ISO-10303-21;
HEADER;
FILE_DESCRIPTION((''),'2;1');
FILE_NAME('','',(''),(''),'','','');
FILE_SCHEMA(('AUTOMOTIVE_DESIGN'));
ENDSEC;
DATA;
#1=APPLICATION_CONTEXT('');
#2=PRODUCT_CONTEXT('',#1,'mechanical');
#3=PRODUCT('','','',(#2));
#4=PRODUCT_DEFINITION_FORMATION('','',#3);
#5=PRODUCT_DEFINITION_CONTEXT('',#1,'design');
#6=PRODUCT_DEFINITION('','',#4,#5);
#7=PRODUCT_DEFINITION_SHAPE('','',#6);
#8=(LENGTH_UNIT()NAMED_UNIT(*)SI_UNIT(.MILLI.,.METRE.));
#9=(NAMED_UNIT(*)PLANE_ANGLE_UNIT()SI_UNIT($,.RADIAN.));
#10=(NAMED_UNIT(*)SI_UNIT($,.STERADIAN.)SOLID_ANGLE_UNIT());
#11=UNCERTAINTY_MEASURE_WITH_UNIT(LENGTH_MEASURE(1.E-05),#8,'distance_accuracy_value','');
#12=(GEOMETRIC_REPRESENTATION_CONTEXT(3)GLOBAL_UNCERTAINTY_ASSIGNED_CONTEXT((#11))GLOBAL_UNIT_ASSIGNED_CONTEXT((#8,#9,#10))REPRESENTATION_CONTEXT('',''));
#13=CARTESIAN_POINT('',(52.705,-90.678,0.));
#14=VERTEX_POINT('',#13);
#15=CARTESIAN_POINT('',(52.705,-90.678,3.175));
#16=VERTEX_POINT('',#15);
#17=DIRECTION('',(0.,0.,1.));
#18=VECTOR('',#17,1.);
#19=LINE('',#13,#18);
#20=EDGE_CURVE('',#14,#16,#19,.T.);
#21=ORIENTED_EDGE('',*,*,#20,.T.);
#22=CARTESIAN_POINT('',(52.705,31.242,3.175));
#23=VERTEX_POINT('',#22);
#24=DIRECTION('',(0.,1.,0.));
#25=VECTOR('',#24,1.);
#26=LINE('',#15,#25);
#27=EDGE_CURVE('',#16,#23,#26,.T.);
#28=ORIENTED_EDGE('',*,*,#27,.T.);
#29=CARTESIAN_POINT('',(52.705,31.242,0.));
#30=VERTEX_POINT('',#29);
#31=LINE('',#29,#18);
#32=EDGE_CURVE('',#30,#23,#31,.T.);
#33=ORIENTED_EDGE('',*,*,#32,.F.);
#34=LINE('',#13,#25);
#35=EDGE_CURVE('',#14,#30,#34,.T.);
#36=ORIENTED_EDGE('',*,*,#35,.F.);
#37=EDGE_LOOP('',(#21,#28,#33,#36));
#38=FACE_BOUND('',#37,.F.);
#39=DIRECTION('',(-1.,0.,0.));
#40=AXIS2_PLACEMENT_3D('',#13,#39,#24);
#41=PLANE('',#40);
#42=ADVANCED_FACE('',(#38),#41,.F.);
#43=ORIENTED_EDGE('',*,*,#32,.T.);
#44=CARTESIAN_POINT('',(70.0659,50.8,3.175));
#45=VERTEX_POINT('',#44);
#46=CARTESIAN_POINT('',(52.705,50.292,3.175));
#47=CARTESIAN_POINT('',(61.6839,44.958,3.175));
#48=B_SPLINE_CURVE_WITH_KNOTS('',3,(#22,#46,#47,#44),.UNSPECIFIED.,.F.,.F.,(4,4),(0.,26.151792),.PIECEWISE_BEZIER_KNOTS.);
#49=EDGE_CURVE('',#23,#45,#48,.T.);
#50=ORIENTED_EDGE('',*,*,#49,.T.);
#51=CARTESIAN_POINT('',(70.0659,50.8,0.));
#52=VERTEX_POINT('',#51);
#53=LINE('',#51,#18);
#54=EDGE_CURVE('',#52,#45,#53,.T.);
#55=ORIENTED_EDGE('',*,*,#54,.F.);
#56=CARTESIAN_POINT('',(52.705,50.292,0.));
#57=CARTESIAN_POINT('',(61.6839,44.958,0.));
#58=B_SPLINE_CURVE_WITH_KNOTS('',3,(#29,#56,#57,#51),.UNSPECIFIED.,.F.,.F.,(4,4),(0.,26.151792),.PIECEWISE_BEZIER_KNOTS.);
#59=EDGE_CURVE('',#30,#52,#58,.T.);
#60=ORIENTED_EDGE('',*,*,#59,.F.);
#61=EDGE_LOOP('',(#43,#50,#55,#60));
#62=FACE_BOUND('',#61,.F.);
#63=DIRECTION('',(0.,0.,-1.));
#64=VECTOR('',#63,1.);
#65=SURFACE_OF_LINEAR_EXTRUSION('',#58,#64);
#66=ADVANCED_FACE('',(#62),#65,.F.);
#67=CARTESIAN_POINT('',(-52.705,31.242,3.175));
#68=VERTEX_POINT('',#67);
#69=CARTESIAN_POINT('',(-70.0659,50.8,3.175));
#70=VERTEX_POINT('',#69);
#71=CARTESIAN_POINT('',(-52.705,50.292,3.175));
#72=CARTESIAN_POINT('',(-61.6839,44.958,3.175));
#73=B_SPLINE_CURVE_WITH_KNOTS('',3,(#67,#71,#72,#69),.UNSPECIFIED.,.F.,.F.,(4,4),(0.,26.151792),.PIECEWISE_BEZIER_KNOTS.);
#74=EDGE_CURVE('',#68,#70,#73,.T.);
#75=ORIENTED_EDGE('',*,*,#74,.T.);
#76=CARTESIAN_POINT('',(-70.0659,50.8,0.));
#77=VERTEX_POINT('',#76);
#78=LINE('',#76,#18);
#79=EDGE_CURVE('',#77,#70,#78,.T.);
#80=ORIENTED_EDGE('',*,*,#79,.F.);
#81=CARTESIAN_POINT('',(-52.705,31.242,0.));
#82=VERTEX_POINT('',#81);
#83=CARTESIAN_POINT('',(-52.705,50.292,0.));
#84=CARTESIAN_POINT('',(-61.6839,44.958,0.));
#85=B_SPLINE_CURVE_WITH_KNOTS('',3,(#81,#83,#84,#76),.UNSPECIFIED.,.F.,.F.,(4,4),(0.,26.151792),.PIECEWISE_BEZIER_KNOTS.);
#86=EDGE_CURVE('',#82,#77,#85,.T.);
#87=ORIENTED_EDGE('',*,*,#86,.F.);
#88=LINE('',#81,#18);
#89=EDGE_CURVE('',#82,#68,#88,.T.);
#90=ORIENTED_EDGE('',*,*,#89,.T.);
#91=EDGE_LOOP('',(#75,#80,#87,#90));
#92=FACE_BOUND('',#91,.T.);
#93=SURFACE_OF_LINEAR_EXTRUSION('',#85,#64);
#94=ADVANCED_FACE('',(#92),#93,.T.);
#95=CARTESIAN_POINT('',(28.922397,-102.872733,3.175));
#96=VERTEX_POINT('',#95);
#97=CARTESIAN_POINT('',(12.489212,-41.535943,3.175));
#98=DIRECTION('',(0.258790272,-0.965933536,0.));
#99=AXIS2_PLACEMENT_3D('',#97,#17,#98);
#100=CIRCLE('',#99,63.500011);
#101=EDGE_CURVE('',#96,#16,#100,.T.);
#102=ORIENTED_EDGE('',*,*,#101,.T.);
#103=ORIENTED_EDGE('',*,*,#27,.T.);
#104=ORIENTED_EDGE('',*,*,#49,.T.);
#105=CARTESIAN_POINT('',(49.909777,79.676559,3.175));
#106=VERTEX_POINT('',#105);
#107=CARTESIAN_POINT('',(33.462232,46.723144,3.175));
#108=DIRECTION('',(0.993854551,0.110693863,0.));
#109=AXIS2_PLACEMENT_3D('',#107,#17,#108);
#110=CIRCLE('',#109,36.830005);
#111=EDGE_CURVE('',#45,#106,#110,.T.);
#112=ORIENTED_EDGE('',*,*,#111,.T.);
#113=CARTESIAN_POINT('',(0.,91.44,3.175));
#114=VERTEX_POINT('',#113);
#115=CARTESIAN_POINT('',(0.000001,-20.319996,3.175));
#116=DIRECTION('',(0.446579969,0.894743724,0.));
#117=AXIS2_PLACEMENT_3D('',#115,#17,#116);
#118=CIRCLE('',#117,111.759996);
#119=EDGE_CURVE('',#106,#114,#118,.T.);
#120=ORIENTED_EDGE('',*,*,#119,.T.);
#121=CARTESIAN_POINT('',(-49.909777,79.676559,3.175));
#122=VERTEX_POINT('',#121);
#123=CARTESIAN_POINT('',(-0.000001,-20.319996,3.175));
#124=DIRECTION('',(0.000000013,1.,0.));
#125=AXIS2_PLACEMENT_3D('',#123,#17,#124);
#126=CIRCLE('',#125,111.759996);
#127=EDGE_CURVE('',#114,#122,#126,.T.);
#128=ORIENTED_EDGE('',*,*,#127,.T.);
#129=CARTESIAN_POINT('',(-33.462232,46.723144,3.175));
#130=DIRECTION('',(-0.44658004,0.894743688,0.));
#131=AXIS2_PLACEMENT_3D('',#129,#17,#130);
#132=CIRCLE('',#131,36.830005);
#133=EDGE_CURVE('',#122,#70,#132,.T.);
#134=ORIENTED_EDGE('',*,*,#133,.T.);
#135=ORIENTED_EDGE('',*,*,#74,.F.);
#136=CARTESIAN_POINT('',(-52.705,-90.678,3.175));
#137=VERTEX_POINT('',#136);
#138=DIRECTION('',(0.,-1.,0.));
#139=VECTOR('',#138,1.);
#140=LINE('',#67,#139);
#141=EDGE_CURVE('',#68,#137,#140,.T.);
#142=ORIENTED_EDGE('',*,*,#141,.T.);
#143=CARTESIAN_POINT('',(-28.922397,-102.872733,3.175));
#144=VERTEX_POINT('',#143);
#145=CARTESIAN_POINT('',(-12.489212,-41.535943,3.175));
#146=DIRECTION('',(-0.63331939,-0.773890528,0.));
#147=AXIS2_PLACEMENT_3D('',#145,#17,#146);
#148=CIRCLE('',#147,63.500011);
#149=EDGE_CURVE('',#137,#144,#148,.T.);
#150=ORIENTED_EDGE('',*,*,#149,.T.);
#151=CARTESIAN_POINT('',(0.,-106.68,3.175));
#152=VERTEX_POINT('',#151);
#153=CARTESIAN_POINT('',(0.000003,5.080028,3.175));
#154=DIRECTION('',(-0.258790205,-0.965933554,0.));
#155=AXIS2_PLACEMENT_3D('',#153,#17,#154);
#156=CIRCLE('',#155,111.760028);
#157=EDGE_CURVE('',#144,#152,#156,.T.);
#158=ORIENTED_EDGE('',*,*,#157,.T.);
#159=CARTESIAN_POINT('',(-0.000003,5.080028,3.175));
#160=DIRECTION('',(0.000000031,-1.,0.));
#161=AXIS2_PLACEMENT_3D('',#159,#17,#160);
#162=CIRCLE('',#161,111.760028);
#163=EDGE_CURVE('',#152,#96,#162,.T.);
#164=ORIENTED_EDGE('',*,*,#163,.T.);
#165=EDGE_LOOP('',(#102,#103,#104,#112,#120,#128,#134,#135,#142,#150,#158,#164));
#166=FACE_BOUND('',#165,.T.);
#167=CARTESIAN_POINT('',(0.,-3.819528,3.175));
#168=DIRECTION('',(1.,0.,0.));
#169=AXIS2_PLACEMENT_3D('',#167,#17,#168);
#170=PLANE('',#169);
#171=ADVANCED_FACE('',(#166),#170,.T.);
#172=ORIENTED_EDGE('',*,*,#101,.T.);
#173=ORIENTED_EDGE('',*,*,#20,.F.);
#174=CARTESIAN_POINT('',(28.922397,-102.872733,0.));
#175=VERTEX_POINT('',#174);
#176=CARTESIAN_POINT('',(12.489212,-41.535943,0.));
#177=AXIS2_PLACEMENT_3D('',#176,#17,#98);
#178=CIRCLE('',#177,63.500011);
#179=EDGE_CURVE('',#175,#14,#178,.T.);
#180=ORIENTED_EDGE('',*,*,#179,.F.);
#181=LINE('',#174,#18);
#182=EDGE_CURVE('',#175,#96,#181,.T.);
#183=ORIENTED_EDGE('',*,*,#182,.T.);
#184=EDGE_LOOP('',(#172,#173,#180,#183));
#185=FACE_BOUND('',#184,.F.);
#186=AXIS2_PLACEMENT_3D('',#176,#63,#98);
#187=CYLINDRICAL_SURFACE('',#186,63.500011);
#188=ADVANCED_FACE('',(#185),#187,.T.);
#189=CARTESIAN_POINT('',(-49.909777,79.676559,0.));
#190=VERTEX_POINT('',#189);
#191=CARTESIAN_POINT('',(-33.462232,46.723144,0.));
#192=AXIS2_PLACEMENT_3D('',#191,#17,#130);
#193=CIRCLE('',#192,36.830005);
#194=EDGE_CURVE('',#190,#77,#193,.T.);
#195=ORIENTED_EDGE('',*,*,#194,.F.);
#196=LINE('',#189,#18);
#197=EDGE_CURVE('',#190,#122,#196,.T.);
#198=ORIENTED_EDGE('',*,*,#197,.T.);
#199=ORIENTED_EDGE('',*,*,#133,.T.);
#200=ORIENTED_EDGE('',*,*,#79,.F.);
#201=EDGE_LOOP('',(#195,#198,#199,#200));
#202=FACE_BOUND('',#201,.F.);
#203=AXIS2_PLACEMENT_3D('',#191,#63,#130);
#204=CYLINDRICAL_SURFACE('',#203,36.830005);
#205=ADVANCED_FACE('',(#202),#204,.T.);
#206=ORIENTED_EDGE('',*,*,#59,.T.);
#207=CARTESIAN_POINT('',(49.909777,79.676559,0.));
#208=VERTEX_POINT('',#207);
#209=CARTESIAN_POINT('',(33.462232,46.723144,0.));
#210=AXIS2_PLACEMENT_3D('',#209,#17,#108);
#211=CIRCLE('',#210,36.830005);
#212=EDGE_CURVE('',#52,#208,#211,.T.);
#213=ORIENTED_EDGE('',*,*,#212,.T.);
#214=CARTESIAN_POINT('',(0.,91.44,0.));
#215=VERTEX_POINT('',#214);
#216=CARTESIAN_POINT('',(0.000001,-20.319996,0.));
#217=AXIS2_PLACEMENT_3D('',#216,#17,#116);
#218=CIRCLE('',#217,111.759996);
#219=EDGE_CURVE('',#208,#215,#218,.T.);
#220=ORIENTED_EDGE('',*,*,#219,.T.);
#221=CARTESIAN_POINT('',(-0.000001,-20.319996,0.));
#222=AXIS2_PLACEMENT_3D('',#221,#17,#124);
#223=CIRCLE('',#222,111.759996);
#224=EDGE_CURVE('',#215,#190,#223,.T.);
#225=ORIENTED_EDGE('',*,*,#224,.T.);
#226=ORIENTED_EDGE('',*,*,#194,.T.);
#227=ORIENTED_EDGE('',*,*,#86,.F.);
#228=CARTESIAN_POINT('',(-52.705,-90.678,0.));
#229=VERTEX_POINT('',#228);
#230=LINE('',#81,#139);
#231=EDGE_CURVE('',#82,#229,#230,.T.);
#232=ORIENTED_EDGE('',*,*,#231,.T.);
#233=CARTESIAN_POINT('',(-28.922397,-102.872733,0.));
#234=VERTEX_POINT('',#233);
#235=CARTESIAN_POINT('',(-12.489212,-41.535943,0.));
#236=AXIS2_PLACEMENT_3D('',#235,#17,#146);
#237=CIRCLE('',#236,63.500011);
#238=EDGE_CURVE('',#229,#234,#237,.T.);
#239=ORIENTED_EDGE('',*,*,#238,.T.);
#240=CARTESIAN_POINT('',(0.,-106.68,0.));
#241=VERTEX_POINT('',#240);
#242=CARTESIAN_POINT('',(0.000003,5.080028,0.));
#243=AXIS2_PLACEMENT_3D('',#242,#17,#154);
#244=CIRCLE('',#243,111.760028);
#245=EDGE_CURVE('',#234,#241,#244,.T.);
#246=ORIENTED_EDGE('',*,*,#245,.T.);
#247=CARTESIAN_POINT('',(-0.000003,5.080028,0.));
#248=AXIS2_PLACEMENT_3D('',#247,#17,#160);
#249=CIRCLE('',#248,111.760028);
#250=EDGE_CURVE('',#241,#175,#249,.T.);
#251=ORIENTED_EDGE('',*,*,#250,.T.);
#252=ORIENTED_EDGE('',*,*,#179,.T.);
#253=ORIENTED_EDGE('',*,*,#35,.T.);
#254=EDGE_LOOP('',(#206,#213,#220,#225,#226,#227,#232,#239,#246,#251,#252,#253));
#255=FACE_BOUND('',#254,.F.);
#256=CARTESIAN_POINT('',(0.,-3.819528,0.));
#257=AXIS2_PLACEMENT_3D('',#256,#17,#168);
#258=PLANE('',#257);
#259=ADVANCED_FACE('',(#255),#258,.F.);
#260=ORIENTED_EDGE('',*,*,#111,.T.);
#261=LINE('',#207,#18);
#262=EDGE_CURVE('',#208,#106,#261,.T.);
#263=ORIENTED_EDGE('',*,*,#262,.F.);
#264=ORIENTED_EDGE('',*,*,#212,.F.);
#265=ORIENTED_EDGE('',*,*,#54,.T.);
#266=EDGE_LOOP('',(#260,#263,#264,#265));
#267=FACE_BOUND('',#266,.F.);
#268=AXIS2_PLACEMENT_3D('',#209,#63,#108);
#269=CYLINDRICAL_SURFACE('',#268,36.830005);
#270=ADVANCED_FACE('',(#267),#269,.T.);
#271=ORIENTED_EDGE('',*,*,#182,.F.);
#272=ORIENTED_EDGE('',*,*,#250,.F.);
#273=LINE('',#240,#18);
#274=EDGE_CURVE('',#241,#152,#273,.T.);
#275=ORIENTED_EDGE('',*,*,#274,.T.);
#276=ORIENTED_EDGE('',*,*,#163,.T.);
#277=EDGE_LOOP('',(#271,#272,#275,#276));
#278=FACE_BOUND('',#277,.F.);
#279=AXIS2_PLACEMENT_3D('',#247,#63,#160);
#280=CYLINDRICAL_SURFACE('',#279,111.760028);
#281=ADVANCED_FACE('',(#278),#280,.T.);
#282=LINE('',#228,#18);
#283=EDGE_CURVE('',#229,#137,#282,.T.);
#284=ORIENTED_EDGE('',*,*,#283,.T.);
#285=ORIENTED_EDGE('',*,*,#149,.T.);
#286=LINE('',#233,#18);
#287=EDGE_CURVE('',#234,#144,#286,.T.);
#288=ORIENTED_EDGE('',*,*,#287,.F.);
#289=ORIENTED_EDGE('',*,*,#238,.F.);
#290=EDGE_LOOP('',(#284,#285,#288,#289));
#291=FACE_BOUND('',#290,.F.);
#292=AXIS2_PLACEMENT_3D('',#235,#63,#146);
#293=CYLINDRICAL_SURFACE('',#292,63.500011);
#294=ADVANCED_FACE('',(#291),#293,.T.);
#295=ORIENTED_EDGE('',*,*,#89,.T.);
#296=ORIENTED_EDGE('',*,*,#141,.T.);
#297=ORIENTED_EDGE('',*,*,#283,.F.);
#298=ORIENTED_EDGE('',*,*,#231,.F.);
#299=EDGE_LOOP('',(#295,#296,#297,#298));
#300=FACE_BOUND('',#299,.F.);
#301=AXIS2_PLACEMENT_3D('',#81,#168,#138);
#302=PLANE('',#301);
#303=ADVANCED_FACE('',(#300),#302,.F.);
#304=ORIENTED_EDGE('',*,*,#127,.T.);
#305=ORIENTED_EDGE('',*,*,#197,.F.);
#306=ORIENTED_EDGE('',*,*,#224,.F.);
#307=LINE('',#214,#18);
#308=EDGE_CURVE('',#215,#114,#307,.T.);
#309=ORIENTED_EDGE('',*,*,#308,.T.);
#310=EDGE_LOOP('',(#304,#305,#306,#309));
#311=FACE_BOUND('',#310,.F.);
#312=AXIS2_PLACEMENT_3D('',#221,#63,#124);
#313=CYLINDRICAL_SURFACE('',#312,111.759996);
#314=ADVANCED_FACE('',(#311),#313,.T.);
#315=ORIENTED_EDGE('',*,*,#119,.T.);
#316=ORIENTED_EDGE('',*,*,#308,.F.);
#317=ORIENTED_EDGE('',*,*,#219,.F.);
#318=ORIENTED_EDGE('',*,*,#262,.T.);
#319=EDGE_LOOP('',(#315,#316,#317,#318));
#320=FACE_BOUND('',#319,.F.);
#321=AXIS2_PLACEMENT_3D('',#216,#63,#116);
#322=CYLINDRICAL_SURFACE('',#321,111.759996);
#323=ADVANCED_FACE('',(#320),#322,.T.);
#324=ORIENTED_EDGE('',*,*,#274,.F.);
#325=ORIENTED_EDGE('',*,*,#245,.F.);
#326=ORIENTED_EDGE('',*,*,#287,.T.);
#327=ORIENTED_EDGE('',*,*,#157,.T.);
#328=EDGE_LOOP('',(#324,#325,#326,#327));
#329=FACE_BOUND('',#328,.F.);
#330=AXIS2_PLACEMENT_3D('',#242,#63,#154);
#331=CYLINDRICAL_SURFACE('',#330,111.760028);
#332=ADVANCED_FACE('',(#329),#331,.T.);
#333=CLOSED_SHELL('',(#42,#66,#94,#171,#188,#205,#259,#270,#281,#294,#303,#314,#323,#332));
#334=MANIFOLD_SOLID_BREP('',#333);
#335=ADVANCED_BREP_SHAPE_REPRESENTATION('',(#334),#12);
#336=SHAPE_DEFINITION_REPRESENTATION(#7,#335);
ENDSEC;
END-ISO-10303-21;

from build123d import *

# Parameters (mm, degrees)
F1_DEPTH = 3.175


with BuildPart() as f1:
    # F0 (on Top) → F1 (new body)
    with BuildSketch(Plane.XY):
        with BuildLine():
            ThreePointArc((28.922397, -102.872733), (41.462552, -98.040783), (52.705, -90.678))
            Line((52.705, -90.678), (52.705, 31.242))
            add(Edge.make_bspline(
                [(52.705, 31.242), (52.705, 50.292), (61.6839, 44.958), (70.0659, 50.8)],
                knots=[0, 0, 0, 0, 26.151792, 26.151792, 26.151792, 26.151792], degree=3))
            ThreePointArc((70.0659, 50.8), (63.662757, 67.803409), (49.909777, 79.676559))
            ThreePointArc((49.909777, 79.676559), (25.638664, 88.459394), (0, 91.44))
            ThreePointArc((0, 91.44), (-25.638664, 88.459394), (-49.909777, 79.676559))
            ThreePointArc((-49.909777, 79.676559), (-63.662757, 67.803409), (-70.0659, 50.8))
            add(Edge.make_bspline(
                [(-52.705, 31.242), (-52.705, 50.292), (-61.6839, 44.958), (-70.0659, 50.8)],
                knots=[0, 0, 0, 0, 26.151792, 26.151792, 26.151792, 26.151792], degree=3))
            Line((-52.705, 31.242), (-52.705, -90.678))
            ThreePointArc((-52.705, -90.678), (-41.462552, -98.040783), (-28.922397, -102.872733))
            ThreePointArc((-28.922397, -102.872733), (-14.585955, -105.724095), (0, -106.68))
            ThreePointArc((0, -106.68), (14.585955, -105.724095), (28.922397, -102.872733))
        make_face()
    extrude(amount=F1_DEPTH)


solid = f1.part
